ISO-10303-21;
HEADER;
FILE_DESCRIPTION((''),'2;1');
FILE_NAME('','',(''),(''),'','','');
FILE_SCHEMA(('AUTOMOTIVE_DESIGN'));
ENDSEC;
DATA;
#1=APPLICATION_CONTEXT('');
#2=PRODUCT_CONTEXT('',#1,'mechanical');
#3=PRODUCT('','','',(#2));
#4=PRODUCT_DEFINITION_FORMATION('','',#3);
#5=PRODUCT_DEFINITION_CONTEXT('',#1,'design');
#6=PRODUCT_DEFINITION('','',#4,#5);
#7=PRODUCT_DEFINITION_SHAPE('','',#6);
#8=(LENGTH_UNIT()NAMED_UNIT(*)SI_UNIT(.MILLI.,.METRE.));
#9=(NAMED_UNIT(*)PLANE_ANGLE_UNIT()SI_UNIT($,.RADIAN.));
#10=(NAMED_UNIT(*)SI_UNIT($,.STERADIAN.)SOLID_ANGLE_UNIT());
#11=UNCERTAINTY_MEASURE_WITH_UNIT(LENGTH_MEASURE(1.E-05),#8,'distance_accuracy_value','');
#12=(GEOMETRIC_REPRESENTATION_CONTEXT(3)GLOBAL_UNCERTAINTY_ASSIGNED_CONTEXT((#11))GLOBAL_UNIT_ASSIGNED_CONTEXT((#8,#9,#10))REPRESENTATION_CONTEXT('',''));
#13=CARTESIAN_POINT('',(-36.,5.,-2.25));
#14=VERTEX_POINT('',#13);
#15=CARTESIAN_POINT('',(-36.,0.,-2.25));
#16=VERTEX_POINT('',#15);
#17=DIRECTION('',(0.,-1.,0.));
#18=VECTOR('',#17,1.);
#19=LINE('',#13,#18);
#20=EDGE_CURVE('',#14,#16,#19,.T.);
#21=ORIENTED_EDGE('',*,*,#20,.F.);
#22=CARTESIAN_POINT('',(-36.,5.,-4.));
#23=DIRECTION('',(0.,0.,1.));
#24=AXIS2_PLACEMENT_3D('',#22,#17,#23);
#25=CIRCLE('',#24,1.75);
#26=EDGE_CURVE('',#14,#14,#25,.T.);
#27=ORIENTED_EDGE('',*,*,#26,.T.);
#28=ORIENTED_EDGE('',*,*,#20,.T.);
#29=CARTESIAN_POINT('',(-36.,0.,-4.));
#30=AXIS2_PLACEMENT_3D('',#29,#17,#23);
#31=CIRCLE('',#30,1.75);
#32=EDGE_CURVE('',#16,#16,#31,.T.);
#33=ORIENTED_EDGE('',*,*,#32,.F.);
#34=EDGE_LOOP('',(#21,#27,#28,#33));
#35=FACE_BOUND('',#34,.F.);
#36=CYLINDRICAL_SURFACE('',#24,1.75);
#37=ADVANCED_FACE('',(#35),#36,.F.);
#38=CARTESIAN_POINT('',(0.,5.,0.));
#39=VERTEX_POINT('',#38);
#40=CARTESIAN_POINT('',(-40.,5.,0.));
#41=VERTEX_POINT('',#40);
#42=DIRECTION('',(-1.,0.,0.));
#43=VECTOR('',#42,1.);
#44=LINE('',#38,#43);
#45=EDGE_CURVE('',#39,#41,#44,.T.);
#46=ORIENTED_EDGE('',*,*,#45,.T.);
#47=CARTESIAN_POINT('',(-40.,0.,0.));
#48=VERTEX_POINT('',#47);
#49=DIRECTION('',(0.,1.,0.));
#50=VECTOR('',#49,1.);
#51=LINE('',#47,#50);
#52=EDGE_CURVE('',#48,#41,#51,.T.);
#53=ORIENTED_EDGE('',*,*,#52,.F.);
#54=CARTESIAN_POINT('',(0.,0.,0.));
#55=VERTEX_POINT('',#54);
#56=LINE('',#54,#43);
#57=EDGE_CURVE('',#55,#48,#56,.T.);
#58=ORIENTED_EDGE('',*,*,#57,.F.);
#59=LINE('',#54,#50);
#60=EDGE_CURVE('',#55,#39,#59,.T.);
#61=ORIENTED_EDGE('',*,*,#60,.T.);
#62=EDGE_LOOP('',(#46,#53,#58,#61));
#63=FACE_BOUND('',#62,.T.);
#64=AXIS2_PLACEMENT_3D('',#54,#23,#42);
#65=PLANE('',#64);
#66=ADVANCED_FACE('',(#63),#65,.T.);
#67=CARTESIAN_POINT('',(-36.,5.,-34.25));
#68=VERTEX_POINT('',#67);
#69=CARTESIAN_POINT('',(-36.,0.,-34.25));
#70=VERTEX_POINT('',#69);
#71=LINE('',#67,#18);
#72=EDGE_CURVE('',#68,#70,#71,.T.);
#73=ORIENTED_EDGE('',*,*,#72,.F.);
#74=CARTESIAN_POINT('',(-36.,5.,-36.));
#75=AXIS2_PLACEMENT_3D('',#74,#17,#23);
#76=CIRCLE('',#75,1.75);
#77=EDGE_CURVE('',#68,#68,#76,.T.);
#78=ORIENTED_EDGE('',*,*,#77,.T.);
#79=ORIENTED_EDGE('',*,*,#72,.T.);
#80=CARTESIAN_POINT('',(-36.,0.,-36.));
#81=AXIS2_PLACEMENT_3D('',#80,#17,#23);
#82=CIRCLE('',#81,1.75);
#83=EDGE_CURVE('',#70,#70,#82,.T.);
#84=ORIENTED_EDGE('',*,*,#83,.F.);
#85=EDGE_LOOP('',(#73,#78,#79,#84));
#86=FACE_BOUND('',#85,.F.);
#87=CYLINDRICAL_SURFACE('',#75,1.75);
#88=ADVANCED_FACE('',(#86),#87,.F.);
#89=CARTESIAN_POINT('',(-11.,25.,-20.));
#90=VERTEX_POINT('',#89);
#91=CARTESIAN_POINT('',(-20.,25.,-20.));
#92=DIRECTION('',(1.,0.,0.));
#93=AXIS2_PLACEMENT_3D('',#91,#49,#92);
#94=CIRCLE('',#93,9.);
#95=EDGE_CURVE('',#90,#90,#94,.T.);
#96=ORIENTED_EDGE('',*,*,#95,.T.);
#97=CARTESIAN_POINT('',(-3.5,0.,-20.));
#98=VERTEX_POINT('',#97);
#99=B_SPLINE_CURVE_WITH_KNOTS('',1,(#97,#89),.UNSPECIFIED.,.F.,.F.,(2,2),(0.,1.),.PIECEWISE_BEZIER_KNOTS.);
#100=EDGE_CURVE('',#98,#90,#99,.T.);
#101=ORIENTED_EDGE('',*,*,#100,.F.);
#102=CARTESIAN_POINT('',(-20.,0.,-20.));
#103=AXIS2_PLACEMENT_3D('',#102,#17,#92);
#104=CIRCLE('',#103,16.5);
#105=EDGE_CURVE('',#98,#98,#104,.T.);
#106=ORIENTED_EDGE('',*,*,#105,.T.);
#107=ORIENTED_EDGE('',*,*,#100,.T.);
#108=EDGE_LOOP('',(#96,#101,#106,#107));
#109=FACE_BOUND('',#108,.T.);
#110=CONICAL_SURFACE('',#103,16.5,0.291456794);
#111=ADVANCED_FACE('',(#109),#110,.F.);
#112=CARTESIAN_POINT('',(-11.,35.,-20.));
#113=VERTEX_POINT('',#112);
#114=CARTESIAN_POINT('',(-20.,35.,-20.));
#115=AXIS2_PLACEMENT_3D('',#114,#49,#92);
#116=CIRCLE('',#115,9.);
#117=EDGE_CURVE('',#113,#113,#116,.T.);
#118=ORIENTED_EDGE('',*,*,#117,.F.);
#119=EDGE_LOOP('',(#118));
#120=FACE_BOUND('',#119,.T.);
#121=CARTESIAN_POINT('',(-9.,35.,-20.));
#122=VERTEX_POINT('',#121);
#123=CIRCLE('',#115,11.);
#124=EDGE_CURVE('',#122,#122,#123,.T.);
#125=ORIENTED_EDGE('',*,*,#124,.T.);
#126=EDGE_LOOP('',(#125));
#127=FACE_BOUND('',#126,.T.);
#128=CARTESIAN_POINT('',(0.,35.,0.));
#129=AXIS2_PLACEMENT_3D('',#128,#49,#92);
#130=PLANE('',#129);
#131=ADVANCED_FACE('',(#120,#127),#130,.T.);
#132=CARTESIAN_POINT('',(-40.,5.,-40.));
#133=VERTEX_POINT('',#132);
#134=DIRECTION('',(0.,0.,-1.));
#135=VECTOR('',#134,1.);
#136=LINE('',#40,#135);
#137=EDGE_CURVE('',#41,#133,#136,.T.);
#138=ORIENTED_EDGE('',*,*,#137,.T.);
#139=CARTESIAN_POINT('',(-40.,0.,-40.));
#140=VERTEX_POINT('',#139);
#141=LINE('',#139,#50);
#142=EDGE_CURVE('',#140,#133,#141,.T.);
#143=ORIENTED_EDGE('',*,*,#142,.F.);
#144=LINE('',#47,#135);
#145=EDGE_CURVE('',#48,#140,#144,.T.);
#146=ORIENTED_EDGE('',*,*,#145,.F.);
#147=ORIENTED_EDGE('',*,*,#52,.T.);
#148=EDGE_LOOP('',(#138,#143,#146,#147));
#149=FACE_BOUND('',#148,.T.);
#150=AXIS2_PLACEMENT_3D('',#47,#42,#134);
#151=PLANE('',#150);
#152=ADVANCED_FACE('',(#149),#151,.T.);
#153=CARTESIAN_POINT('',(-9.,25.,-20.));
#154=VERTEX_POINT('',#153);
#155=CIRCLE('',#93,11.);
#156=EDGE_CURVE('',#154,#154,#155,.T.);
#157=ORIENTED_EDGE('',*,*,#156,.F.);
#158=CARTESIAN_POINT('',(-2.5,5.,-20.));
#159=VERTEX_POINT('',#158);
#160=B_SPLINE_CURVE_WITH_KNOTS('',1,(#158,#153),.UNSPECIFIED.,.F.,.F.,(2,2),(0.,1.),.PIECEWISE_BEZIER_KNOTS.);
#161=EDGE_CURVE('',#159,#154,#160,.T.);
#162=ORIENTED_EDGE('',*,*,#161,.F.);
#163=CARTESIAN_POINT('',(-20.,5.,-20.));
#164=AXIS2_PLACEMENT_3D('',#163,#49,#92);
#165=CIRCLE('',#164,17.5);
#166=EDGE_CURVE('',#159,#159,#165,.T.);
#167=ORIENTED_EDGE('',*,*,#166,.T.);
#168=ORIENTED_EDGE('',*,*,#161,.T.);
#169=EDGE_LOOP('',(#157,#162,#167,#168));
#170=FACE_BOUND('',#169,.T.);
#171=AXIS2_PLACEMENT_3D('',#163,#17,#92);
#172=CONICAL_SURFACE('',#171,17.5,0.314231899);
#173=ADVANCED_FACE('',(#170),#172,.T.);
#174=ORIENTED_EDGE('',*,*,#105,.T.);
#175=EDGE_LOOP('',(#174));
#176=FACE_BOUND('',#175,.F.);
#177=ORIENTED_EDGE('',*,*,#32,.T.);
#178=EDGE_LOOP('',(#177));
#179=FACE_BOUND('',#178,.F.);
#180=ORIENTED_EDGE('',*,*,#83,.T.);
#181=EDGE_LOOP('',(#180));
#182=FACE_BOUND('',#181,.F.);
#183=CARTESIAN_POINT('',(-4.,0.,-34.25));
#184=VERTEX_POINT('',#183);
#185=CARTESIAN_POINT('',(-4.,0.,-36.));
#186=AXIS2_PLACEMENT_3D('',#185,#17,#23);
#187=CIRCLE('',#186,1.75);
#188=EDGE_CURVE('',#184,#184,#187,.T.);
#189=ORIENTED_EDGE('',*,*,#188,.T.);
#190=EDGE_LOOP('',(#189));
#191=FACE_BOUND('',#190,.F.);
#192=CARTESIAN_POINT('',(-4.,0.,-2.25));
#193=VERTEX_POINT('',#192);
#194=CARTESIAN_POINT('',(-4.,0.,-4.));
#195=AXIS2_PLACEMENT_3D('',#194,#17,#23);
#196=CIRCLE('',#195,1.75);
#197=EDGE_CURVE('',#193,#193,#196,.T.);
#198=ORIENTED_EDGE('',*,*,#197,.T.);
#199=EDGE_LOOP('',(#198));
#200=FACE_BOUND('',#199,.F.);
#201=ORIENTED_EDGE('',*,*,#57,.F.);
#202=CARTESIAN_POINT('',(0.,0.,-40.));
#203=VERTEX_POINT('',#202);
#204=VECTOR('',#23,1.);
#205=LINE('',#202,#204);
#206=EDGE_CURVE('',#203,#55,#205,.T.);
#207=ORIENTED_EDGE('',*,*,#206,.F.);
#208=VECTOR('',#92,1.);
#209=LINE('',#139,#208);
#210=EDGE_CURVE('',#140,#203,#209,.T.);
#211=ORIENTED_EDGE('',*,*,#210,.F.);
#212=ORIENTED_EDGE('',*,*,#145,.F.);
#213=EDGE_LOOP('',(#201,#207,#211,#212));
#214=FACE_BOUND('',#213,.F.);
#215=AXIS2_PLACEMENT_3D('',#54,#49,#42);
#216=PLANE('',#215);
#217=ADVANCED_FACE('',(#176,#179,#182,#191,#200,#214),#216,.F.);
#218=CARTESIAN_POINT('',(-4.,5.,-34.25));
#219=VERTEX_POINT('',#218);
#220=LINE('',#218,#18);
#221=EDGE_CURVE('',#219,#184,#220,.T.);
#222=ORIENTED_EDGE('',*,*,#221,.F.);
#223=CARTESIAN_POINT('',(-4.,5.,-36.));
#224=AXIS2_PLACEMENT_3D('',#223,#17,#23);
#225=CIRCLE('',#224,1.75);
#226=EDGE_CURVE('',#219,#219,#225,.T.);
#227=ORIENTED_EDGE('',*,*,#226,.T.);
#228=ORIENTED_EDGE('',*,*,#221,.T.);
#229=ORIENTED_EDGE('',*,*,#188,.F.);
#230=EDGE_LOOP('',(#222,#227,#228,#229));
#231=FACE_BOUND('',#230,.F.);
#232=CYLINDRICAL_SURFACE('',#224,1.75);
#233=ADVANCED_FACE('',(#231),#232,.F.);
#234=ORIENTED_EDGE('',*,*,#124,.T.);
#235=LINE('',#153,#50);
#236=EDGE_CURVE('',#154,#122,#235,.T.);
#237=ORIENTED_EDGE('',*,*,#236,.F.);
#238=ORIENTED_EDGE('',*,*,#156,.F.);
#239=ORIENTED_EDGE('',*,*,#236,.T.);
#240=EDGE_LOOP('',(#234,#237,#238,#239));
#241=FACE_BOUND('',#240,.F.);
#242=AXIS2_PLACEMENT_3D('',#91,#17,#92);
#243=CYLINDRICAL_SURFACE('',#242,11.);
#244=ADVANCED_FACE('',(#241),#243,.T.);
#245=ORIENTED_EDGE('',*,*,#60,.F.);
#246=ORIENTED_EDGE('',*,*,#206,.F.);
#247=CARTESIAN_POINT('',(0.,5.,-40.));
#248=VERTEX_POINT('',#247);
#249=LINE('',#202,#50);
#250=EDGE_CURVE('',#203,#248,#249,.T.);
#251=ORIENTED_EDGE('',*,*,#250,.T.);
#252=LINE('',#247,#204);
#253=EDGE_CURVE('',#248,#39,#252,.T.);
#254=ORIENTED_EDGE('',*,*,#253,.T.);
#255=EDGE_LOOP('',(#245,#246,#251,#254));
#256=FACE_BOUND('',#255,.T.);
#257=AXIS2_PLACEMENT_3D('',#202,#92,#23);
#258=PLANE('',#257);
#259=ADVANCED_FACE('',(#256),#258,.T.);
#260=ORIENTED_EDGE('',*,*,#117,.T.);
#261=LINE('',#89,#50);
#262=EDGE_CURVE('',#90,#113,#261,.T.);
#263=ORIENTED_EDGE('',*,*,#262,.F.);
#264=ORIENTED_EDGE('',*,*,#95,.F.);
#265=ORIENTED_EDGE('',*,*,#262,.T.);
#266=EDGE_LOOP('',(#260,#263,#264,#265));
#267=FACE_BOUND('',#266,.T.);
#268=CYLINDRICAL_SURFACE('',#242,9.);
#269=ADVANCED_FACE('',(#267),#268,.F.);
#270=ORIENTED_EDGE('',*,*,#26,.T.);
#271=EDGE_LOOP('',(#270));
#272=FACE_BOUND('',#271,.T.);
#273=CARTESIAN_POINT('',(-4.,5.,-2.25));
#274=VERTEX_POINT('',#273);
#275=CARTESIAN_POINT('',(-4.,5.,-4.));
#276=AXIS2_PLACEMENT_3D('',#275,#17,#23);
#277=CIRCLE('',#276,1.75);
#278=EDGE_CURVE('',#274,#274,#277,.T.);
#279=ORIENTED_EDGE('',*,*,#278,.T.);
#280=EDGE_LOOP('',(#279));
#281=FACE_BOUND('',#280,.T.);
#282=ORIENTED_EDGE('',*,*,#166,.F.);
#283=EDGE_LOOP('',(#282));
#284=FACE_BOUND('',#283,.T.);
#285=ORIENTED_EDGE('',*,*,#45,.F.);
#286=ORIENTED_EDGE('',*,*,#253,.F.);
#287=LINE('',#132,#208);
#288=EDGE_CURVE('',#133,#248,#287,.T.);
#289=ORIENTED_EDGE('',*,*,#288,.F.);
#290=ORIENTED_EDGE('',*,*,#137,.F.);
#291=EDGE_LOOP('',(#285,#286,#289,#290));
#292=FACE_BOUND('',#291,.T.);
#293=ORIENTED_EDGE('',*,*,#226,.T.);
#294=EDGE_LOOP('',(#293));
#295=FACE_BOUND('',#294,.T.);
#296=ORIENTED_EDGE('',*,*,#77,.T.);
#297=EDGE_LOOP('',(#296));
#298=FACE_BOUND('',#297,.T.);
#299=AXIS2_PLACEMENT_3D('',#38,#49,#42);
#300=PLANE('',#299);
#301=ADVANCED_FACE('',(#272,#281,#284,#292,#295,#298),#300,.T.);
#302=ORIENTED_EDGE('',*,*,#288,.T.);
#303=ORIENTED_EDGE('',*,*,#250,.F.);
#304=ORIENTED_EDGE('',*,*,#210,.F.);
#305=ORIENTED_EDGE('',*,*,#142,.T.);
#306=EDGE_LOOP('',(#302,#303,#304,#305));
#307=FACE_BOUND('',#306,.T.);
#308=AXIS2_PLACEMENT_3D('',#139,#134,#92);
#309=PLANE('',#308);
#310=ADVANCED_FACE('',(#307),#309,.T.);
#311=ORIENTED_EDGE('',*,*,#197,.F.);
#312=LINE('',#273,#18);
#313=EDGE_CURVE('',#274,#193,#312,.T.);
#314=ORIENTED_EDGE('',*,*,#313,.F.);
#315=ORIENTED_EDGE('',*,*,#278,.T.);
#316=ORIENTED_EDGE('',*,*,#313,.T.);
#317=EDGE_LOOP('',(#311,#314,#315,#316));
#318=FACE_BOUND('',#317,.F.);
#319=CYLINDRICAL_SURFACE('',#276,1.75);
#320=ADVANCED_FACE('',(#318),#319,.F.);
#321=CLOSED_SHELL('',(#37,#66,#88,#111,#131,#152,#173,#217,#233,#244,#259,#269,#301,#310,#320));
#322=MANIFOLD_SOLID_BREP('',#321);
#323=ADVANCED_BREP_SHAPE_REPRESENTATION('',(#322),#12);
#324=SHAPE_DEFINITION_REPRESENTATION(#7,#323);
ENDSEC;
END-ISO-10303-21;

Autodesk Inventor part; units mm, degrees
ref_plane "YZ Plane" through (0, 0, 0) normal (1, 0, 0) x (0, 1, 0)
ref_plane "XZ Plane" through (0, 0, 0) normal (0, 1, 0) x (-1, 0, 0)
ref_plane "XY Plane" through (0, 0, 0) normal (0, 0, 1) x (1, 0, 0)
sketch "Sketch1" plane through (0, 0, 0) normal (0, 1, 0) x (-1, 0, 0)
  line L0 (0, 0) -> (40, 0)
  line L1 (40, 0) -> (40, -40)
  line L2 (40, -40) -> (0, -40)
  line L3 (0, -40) -> (0, 0)
  dimension "d0" = 40
  dimension "d1" = 40
extrude "Extrusion1" add sketch "Sketch1" along normal blind 5
sketch "Sketch2" plane through (0, 5, 0) normal (0, 1, 0) x (1, 0, 0)
  circle A0 centre (-20, 20) radius 17.5
  point P0 (0, 0)
  dimension "d4" = 35
ref_plane "Work Plane1" through (0, 25, 0) normal (0, 1, 0) x (1, 0, 0)
sketch "Sketch3" plane through (0, 25, 0) normal (0, 1, 0) x (1, 0, 0)
  circle A0 centre (-20, 20) radius 11
  point P0 (0, 0)
  dimension "d6" = 22
loft "Loft1" add profiles "Sketch2", "Sketch3"
sketch "Sketch6" plane through (0, 25, 0) normal (0, 1, 0) x (1, 0, 0)
  circle A0 centre (-20, 20) radius 9
  circle A1 centre (-20, 20) radius 11 projected
  point P0 (0, 0)
  dimension "d15" = 18
sketch "Sketch8" plane through (0, 0, 0) normal (0, -1, 0) x (1, 0, 0)
  circle A0 centre (-20, -20) radius 16.5
  point P0 (0, 0)
  dimension "d16" = 33
loft "Loft2" cut profiles "Sketch8", "Sketch6" contours all / A0
sketch "Sketch9" plane through (0, 25, 0) normal (0, 1, 0) x (1, 0, 0)
  circle A0 centre (-20, 20) radius 11
  circle A1 centre (-20, 20) radius 9
  point P0 (0, 0)
  dimension "d21" = 22
  dimension "d22" = 18
extrude "Extrusion3" add sketch "Sketch9" along normal blind 10
hole "Hole1" at (-36, 5, -4) direction (0, -1, 0) diameter 3.5 end through all
hole "Hole2" at (-4, 5, -4) direction (0, -1, 0) diameter 3.5 end through all
hole "Hole3" at (-4, 5, -36) direction (0, -1, 0) diameter 3.5 end through all
hole "Hole4" at (-36, 5, -36) direction (0, -1, 0) diameter 3.5 end through all
properties part number "FanAdapter"
